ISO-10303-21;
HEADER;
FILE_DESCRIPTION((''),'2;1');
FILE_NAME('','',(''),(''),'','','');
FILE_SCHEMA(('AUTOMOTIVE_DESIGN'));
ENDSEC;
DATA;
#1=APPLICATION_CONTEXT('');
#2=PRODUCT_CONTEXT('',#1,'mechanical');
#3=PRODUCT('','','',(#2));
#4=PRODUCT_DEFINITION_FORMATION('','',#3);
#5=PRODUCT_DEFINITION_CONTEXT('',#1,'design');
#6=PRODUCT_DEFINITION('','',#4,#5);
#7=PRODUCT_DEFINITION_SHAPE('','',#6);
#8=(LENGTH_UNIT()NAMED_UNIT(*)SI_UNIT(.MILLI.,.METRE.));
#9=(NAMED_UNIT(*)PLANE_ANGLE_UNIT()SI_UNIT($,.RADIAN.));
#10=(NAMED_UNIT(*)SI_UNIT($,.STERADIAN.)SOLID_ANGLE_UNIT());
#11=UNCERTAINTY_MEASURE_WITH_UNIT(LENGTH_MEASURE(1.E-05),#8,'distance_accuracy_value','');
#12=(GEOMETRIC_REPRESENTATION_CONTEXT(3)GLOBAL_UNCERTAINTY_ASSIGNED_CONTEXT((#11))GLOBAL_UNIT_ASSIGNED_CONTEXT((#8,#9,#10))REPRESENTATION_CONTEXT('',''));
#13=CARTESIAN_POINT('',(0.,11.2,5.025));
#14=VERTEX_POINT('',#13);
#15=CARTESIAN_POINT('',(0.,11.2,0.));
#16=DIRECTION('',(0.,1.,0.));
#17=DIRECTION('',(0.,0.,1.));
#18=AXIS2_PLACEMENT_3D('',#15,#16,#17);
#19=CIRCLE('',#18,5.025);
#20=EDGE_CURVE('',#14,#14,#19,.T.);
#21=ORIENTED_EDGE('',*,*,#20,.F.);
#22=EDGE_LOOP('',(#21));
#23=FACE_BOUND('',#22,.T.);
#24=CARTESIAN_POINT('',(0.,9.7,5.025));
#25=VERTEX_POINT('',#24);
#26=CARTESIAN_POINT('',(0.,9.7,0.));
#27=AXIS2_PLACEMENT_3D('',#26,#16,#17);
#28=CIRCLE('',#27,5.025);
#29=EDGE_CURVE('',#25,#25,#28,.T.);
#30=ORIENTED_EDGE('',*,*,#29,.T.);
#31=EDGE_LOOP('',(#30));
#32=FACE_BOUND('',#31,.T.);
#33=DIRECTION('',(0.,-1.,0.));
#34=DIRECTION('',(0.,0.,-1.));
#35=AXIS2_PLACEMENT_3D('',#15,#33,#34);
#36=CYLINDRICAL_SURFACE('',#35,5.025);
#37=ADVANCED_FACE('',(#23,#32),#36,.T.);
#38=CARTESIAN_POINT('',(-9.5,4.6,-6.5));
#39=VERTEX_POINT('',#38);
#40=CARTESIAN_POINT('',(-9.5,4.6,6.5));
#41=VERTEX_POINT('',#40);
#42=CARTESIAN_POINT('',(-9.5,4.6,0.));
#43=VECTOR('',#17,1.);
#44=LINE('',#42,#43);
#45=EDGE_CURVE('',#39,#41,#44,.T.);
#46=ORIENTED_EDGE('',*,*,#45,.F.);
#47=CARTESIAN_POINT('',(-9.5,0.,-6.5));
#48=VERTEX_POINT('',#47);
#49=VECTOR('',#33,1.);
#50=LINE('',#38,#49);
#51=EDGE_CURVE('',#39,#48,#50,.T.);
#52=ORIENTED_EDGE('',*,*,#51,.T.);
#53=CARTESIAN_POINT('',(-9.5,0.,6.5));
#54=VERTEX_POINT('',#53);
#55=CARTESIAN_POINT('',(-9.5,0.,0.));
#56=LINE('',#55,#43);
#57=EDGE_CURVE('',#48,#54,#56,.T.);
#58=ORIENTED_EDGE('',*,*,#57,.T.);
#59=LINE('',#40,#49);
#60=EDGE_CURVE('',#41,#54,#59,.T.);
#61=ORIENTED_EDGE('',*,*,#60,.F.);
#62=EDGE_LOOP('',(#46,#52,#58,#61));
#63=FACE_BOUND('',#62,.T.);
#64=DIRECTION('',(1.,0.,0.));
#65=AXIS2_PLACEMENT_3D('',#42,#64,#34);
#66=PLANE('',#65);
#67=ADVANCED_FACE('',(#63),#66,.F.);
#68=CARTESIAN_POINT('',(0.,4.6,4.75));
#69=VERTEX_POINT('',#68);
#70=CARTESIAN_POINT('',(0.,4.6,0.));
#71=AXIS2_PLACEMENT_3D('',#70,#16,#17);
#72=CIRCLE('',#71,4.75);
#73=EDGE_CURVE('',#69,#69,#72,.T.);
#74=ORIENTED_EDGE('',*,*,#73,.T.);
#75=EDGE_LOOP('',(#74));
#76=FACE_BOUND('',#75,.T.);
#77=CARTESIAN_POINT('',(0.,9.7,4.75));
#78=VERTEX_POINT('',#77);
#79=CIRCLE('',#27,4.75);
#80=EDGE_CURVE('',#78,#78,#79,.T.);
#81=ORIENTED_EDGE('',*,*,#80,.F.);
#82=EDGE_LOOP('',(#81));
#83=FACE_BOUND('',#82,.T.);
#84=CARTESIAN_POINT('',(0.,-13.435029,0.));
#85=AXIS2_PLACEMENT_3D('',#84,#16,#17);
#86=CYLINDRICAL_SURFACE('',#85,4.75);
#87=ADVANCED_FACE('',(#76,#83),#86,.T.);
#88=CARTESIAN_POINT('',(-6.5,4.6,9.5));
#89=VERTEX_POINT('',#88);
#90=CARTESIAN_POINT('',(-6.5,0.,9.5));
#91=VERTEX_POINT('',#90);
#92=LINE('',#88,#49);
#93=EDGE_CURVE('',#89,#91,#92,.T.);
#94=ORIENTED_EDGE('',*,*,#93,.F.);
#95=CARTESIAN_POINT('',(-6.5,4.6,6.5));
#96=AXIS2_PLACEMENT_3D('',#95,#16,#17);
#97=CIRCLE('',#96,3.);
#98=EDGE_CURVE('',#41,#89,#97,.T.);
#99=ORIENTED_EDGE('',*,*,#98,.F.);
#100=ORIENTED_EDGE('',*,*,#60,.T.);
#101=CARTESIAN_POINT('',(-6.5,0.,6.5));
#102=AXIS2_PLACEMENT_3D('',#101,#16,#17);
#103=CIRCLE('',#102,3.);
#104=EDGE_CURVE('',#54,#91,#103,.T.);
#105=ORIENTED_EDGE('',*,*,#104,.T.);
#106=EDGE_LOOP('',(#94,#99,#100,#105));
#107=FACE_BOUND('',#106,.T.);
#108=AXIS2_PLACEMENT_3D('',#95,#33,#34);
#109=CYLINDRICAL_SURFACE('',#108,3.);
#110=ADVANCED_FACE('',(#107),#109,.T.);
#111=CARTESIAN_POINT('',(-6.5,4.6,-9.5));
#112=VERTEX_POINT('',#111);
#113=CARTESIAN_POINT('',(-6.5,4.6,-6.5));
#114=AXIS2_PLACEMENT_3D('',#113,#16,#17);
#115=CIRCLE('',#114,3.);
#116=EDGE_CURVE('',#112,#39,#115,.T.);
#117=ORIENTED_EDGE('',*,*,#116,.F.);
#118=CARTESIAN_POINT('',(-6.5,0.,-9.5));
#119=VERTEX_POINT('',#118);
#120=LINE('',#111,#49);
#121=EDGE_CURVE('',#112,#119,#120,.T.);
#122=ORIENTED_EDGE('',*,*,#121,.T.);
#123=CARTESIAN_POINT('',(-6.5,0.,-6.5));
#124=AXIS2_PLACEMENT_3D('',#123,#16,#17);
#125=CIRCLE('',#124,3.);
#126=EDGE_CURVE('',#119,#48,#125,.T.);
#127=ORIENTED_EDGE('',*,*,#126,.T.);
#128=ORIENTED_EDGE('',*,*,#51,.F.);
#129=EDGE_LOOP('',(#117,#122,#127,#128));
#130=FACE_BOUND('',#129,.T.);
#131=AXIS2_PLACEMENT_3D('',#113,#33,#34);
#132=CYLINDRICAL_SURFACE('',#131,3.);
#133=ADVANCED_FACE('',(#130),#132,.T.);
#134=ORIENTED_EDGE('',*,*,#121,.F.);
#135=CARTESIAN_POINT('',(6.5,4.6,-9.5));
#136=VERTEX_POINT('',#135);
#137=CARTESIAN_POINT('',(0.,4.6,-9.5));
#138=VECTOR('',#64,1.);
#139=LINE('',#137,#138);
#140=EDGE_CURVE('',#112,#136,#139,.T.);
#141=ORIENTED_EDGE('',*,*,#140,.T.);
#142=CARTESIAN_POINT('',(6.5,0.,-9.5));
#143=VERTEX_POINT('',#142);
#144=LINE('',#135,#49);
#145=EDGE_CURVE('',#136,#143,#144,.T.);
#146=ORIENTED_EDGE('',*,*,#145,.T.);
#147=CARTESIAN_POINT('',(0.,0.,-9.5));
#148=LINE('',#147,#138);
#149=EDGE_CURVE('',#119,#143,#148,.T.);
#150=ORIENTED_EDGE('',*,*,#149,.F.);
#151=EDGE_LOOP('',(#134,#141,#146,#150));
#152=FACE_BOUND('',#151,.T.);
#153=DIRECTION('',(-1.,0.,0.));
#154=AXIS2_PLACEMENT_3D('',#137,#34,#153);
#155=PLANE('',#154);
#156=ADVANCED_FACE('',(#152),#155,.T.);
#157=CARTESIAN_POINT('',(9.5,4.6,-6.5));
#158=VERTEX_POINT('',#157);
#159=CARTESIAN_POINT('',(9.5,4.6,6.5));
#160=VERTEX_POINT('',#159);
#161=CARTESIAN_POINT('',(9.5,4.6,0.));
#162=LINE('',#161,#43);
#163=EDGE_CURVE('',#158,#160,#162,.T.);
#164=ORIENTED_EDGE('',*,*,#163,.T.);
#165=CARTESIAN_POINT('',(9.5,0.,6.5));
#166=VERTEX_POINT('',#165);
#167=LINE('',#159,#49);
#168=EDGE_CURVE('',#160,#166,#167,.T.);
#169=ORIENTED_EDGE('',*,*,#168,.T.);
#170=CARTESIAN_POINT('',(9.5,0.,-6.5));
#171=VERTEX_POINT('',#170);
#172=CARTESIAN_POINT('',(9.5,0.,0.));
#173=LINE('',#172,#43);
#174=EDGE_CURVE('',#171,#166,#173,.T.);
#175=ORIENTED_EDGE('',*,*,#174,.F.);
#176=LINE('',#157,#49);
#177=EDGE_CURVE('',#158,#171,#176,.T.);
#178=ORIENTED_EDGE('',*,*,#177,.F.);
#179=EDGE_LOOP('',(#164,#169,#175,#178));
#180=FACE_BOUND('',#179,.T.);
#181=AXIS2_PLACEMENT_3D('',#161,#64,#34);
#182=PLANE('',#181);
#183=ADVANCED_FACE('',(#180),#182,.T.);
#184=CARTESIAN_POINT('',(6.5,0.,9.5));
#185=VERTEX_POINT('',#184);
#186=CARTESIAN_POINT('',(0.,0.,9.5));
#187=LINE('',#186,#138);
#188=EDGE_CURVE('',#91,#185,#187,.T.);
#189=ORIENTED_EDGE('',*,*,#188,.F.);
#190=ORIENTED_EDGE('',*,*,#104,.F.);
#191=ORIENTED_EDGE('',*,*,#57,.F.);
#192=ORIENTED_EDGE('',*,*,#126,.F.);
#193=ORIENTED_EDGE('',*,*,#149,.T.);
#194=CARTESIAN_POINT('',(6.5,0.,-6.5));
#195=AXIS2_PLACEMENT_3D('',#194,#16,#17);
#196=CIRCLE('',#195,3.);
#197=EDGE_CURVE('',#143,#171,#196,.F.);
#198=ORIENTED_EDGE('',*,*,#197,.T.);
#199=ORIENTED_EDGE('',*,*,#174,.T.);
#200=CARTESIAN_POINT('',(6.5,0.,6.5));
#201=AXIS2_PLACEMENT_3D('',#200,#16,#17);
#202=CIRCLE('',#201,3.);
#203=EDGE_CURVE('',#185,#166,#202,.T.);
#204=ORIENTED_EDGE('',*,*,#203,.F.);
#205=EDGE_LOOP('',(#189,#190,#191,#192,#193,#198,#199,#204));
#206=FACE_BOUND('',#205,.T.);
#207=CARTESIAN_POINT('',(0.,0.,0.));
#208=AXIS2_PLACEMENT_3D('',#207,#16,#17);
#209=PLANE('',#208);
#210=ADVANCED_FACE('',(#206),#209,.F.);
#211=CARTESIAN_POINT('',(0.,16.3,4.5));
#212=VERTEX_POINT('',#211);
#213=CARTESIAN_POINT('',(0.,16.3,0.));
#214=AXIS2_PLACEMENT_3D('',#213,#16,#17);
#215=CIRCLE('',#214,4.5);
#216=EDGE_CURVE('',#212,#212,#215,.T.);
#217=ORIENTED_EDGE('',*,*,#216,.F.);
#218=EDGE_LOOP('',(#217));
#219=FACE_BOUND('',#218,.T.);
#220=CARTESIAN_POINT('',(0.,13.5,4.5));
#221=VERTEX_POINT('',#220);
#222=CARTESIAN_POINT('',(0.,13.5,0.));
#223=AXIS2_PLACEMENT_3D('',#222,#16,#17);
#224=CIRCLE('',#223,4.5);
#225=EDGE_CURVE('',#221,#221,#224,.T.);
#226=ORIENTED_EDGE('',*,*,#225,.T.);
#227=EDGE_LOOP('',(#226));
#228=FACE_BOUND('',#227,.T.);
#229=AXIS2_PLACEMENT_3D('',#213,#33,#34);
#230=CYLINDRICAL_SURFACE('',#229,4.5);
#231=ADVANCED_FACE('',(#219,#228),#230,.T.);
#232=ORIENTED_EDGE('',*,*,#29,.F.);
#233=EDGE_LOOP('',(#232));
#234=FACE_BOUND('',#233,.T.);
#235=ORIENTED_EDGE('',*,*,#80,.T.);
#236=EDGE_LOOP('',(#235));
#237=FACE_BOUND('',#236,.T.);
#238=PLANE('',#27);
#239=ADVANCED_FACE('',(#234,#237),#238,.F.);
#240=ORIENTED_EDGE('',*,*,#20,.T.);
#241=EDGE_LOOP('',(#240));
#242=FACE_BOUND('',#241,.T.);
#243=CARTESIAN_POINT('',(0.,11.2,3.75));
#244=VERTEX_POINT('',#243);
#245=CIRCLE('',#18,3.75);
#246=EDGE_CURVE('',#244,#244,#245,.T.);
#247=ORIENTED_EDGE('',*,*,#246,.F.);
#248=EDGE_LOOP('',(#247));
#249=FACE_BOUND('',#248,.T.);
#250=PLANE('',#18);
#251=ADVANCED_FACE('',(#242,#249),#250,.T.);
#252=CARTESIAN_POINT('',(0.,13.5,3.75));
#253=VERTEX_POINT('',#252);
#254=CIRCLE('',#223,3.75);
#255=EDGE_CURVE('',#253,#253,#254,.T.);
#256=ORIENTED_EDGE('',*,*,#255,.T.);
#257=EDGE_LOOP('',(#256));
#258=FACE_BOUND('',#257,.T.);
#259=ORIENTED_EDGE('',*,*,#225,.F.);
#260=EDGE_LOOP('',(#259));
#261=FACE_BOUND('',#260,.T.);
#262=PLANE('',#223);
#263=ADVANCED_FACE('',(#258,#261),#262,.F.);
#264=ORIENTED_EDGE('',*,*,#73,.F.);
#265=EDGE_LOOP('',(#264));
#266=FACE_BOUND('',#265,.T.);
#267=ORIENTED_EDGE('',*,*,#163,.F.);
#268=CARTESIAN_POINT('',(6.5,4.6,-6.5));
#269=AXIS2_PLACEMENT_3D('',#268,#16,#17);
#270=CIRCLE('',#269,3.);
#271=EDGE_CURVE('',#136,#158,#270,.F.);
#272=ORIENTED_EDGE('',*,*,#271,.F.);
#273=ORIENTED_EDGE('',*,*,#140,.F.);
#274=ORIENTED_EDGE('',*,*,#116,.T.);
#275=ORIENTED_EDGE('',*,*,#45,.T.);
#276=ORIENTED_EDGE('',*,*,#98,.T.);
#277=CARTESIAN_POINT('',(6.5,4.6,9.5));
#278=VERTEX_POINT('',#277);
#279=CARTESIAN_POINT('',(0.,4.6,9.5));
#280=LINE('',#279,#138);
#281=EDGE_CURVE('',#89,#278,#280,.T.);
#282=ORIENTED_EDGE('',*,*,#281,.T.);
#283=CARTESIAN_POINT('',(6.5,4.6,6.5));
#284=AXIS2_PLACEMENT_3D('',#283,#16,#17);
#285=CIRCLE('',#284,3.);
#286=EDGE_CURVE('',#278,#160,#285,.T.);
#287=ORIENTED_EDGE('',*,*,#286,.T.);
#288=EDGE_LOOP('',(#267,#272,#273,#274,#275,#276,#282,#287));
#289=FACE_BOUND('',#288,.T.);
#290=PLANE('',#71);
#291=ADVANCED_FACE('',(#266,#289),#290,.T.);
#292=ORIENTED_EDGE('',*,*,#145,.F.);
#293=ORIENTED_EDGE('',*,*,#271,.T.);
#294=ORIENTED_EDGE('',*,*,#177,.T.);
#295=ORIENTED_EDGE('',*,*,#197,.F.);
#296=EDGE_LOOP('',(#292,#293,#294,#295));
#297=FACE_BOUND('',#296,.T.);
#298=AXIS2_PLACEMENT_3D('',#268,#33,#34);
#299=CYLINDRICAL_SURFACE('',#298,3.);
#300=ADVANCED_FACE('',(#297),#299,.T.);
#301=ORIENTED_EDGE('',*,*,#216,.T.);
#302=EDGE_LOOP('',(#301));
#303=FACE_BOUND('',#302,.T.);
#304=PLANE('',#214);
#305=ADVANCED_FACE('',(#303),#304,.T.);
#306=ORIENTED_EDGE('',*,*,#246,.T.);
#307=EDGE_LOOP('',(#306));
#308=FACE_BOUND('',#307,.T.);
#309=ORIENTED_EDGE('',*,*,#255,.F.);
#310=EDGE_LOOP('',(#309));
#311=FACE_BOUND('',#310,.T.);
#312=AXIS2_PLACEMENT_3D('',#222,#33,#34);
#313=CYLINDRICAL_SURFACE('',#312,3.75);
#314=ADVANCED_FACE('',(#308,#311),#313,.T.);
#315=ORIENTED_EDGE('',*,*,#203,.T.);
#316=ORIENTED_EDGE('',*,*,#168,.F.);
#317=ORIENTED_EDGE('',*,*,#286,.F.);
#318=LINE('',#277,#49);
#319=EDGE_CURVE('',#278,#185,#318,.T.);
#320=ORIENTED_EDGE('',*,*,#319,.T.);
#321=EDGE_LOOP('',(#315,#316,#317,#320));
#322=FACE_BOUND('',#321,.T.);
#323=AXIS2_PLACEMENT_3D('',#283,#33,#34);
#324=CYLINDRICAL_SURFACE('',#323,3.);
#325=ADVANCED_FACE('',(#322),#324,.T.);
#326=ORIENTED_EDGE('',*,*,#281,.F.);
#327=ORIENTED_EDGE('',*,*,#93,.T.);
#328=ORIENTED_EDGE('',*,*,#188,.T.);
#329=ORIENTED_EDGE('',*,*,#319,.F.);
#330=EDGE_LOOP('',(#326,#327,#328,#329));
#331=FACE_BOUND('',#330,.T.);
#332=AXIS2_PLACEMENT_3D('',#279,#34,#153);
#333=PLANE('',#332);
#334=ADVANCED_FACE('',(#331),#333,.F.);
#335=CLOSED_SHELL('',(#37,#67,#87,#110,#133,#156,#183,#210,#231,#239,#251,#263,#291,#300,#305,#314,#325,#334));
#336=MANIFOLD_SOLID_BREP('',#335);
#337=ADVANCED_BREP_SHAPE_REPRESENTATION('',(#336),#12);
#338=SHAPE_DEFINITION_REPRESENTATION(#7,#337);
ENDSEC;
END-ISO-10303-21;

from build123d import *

# Parameters (mm, degrees)
SALIENTE_EXTRUIR2_DEPTH      = 4.6
SALIENTE_EXTRUIR3_DEPTH      = 5.1
SALIENTE_EXTRUIR3_DEPTH_BACK = 4.6
CROQUIS2_R                   = 4.75
CROQUIS4_R                   = 5.025
SALIENTE_EXTRUIR4_DEPTH      = 1.5
CROQUIS6_R                   = 3.75
SALIENTE_EXTRUIR5_DEPTH      = 2.3
CROQUIS7_R                   = 4.5
SALIENTE_EXTRUIR6_DEPTH      = 2.8


with BuildPart() as part:
    # Croquis1 → Saliente-Extruir2 (new body)
    # profile 1 of 5: a face of its own
    with BuildSketch(Plane(origin=(0, 0, 0), x_dir=(1, 0, 0), z_dir=(0, 1, 0))):
        with BuildLine():
            ThreePointArc((6.5, 9.5), (8.621320344, 8.621320344), (9.5, 6.5))
            Line((9.5, 6.5), (9.5, -6.5))
            ThreePointArc((9.5, -6.5), (8.621320344, -8.621320344), (6.5, -9.5))
            Line((6.5, -9.5), (-6.5, -9.5))
            ThreePointArc((-6.5, -9.5), (-8.621320344, -8.621320344), (-9.5, -6.5))
            Line((-9.5, -6.5), (-9.5, 6.5))
            ThreePointArc((-9.5, 6.5), (-8.621320344, 8.621320344), (-6.5, 9.5))
            Line((-6.5, 9.5), (6.5, 9.5))
        make_face()
        with BuildLine():
            ThreePointArc((4.25, -4.75), (4.603553391, -4.603553391), (4.75, -4.25))
            Line((4.75, -4.25), (4.75, 4.25))
            ThreePointArc((4.75, 4.25), (4.603553391, 4.603553391), (4.25, 4.75))
            Line((4.25, 4.75), (-4.25, 4.75))
            ThreePointArc((-4.25, 4.75), (-4.603553391, 4.603553391), (-4.75, 4.25))
            Line((-4.75, 4.25), (-4.75, -4.25))
            ThreePointArc((-4.75, -4.25), (-4.603553391, -4.603553391), (-4.25, -4.75))
            Line((-4.25, -4.75), (4.25, -4.75))
        make_face(mode=Mode.SUBTRACT)
    # profile 2 of 5: a face of its own
    with BuildSketch(Plane(origin=(0, 0, 0), x_dir=(1, 0, 0), z_dir=(0, 1, 0))):
        with BuildLine():
            ThreePointArc((0, -4.75), (-3.358757211, -3.358757211), (-4.75, 0))
            Line((-4.75, 0), (-4.75, -4.25))
            ThreePointArc((-4.75, -4.25), (-4.603553391, -4.603553391), (-4.25, -4.75))
            Line((-4.25, -4.75), (0, -4.75))
        make_face()
    # profile 3 of 5: a face of its own
    with BuildSketch(Plane(origin=(0, 0, 0), x_dir=(1, 0, 0), z_dir=(0, 1, 0))):
        with BuildLine():
            Line((4.75, -4.25), (4.75, 0))
            ThreePointArc((4.75, 0), (3.358757211, -3.358757211), (0, -4.75))
            Line((0, -4.75), (4.25, -4.75))
            ThreePointArc((4.25, -4.75), (4.603553391, -4.603553391), (4.75, -4.25))
        make_face()
    # profile 4 of 5: a face of its own
    with BuildSketch(Plane(origin=(0, 0, 0), x_dir=(1, 0, 0), z_dir=(0, 1, 0))):
        with BuildLine():
            Line((4.25, 4.75), (0, 4.75))
            ThreePointArc((0, 4.75), (3.358757211, 3.358757211), (4.75, 0))
            Line((4.75, 0), (4.75, 4.25))
            ThreePointArc((4.75, 4.25), (4.603553391, 4.603553391), (4.25, 4.75))
        make_face()
    # profile 5 of 5: a face of its own
    with BuildSketch(Plane(origin=(0, 0, 0), x_dir=(1, 0, 0), z_dir=(0, 1, 0))):
        with BuildLine():
            Line((0, 4.75), (-4.25, 4.75))
            ThreePointArc((-4.25, 4.75), (-4.603553391, 4.603553391), (-4.75, 4.25))
            Line((-4.75, 4.25), (-4.75, 0))
            ThreePointArc((-4.75, 0), (-3.358757211, 3.358757211), (0, 4.75))
        make_face()
    extrude(amount=SALIENTE_EXTRUIR2_DEPTH)

    # Croquis2 → Saliente-Extruir3 (add, two sides: drawn at the far end of the back side and taken through both)
    with BuildSketch(Plane(origin=(0, 4.6, 0), x_dir=(1, 0, 0), z_dir=(0, 1, 0)).offset(-SALIENTE_EXTRUIR3_DEPTH_BACK)):
        with Locations(Location((0, 0, 0), (0, 0, 270))):
            Circle(CROQUIS2_R)
    extrude(amount=SALIENTE_EXTRUIR3_DEPTH + SALIENTE_EXTRUIR3_DEPTH_BACK)

    # Croquis4 → Saliente-Extruir4 (add)
    with BuildSketch(Plane(origin=(0, 9.7, 0), x_dir=(1, 0, 0), z_dir=(0, 1, 0))):
        with Locations(Location((0, 0, 0), (0, 0, 270))):
            Circle(CROQUIS4_R)
    extrude(amount=SALIENTE_EXTRUIR4_DEPTH)

    # Croquis6 → Saliente-Extruir5 (add)
    with BuildSketch(Plane(origin=(0, 11.2, 0), x_dir=(1, 0, 0), z_dir=(0, 1, 0))):
        with Locations(Location((0, 0, 0), (0, 0, 270))):
            Circle(CROQUIS6_R)
    extrude(amount=SALIENTE_EXTRUIR5_DEPTH)

    # Croquis7 → Saliente-Extruir6 (add)
    with BuildSketch(Plane(origin=(0, 13.5, 0), x_dir=(1, 0, 0), z_dir=(0, 1, 0))):
        with Locations(Location((0, 0, 0), (0, 0, 270))):
            Circle(CROQUIS7_R)
    extrude(amount=SALIENTE_EXTRUIR6_DEPTH)


solid = part.part
